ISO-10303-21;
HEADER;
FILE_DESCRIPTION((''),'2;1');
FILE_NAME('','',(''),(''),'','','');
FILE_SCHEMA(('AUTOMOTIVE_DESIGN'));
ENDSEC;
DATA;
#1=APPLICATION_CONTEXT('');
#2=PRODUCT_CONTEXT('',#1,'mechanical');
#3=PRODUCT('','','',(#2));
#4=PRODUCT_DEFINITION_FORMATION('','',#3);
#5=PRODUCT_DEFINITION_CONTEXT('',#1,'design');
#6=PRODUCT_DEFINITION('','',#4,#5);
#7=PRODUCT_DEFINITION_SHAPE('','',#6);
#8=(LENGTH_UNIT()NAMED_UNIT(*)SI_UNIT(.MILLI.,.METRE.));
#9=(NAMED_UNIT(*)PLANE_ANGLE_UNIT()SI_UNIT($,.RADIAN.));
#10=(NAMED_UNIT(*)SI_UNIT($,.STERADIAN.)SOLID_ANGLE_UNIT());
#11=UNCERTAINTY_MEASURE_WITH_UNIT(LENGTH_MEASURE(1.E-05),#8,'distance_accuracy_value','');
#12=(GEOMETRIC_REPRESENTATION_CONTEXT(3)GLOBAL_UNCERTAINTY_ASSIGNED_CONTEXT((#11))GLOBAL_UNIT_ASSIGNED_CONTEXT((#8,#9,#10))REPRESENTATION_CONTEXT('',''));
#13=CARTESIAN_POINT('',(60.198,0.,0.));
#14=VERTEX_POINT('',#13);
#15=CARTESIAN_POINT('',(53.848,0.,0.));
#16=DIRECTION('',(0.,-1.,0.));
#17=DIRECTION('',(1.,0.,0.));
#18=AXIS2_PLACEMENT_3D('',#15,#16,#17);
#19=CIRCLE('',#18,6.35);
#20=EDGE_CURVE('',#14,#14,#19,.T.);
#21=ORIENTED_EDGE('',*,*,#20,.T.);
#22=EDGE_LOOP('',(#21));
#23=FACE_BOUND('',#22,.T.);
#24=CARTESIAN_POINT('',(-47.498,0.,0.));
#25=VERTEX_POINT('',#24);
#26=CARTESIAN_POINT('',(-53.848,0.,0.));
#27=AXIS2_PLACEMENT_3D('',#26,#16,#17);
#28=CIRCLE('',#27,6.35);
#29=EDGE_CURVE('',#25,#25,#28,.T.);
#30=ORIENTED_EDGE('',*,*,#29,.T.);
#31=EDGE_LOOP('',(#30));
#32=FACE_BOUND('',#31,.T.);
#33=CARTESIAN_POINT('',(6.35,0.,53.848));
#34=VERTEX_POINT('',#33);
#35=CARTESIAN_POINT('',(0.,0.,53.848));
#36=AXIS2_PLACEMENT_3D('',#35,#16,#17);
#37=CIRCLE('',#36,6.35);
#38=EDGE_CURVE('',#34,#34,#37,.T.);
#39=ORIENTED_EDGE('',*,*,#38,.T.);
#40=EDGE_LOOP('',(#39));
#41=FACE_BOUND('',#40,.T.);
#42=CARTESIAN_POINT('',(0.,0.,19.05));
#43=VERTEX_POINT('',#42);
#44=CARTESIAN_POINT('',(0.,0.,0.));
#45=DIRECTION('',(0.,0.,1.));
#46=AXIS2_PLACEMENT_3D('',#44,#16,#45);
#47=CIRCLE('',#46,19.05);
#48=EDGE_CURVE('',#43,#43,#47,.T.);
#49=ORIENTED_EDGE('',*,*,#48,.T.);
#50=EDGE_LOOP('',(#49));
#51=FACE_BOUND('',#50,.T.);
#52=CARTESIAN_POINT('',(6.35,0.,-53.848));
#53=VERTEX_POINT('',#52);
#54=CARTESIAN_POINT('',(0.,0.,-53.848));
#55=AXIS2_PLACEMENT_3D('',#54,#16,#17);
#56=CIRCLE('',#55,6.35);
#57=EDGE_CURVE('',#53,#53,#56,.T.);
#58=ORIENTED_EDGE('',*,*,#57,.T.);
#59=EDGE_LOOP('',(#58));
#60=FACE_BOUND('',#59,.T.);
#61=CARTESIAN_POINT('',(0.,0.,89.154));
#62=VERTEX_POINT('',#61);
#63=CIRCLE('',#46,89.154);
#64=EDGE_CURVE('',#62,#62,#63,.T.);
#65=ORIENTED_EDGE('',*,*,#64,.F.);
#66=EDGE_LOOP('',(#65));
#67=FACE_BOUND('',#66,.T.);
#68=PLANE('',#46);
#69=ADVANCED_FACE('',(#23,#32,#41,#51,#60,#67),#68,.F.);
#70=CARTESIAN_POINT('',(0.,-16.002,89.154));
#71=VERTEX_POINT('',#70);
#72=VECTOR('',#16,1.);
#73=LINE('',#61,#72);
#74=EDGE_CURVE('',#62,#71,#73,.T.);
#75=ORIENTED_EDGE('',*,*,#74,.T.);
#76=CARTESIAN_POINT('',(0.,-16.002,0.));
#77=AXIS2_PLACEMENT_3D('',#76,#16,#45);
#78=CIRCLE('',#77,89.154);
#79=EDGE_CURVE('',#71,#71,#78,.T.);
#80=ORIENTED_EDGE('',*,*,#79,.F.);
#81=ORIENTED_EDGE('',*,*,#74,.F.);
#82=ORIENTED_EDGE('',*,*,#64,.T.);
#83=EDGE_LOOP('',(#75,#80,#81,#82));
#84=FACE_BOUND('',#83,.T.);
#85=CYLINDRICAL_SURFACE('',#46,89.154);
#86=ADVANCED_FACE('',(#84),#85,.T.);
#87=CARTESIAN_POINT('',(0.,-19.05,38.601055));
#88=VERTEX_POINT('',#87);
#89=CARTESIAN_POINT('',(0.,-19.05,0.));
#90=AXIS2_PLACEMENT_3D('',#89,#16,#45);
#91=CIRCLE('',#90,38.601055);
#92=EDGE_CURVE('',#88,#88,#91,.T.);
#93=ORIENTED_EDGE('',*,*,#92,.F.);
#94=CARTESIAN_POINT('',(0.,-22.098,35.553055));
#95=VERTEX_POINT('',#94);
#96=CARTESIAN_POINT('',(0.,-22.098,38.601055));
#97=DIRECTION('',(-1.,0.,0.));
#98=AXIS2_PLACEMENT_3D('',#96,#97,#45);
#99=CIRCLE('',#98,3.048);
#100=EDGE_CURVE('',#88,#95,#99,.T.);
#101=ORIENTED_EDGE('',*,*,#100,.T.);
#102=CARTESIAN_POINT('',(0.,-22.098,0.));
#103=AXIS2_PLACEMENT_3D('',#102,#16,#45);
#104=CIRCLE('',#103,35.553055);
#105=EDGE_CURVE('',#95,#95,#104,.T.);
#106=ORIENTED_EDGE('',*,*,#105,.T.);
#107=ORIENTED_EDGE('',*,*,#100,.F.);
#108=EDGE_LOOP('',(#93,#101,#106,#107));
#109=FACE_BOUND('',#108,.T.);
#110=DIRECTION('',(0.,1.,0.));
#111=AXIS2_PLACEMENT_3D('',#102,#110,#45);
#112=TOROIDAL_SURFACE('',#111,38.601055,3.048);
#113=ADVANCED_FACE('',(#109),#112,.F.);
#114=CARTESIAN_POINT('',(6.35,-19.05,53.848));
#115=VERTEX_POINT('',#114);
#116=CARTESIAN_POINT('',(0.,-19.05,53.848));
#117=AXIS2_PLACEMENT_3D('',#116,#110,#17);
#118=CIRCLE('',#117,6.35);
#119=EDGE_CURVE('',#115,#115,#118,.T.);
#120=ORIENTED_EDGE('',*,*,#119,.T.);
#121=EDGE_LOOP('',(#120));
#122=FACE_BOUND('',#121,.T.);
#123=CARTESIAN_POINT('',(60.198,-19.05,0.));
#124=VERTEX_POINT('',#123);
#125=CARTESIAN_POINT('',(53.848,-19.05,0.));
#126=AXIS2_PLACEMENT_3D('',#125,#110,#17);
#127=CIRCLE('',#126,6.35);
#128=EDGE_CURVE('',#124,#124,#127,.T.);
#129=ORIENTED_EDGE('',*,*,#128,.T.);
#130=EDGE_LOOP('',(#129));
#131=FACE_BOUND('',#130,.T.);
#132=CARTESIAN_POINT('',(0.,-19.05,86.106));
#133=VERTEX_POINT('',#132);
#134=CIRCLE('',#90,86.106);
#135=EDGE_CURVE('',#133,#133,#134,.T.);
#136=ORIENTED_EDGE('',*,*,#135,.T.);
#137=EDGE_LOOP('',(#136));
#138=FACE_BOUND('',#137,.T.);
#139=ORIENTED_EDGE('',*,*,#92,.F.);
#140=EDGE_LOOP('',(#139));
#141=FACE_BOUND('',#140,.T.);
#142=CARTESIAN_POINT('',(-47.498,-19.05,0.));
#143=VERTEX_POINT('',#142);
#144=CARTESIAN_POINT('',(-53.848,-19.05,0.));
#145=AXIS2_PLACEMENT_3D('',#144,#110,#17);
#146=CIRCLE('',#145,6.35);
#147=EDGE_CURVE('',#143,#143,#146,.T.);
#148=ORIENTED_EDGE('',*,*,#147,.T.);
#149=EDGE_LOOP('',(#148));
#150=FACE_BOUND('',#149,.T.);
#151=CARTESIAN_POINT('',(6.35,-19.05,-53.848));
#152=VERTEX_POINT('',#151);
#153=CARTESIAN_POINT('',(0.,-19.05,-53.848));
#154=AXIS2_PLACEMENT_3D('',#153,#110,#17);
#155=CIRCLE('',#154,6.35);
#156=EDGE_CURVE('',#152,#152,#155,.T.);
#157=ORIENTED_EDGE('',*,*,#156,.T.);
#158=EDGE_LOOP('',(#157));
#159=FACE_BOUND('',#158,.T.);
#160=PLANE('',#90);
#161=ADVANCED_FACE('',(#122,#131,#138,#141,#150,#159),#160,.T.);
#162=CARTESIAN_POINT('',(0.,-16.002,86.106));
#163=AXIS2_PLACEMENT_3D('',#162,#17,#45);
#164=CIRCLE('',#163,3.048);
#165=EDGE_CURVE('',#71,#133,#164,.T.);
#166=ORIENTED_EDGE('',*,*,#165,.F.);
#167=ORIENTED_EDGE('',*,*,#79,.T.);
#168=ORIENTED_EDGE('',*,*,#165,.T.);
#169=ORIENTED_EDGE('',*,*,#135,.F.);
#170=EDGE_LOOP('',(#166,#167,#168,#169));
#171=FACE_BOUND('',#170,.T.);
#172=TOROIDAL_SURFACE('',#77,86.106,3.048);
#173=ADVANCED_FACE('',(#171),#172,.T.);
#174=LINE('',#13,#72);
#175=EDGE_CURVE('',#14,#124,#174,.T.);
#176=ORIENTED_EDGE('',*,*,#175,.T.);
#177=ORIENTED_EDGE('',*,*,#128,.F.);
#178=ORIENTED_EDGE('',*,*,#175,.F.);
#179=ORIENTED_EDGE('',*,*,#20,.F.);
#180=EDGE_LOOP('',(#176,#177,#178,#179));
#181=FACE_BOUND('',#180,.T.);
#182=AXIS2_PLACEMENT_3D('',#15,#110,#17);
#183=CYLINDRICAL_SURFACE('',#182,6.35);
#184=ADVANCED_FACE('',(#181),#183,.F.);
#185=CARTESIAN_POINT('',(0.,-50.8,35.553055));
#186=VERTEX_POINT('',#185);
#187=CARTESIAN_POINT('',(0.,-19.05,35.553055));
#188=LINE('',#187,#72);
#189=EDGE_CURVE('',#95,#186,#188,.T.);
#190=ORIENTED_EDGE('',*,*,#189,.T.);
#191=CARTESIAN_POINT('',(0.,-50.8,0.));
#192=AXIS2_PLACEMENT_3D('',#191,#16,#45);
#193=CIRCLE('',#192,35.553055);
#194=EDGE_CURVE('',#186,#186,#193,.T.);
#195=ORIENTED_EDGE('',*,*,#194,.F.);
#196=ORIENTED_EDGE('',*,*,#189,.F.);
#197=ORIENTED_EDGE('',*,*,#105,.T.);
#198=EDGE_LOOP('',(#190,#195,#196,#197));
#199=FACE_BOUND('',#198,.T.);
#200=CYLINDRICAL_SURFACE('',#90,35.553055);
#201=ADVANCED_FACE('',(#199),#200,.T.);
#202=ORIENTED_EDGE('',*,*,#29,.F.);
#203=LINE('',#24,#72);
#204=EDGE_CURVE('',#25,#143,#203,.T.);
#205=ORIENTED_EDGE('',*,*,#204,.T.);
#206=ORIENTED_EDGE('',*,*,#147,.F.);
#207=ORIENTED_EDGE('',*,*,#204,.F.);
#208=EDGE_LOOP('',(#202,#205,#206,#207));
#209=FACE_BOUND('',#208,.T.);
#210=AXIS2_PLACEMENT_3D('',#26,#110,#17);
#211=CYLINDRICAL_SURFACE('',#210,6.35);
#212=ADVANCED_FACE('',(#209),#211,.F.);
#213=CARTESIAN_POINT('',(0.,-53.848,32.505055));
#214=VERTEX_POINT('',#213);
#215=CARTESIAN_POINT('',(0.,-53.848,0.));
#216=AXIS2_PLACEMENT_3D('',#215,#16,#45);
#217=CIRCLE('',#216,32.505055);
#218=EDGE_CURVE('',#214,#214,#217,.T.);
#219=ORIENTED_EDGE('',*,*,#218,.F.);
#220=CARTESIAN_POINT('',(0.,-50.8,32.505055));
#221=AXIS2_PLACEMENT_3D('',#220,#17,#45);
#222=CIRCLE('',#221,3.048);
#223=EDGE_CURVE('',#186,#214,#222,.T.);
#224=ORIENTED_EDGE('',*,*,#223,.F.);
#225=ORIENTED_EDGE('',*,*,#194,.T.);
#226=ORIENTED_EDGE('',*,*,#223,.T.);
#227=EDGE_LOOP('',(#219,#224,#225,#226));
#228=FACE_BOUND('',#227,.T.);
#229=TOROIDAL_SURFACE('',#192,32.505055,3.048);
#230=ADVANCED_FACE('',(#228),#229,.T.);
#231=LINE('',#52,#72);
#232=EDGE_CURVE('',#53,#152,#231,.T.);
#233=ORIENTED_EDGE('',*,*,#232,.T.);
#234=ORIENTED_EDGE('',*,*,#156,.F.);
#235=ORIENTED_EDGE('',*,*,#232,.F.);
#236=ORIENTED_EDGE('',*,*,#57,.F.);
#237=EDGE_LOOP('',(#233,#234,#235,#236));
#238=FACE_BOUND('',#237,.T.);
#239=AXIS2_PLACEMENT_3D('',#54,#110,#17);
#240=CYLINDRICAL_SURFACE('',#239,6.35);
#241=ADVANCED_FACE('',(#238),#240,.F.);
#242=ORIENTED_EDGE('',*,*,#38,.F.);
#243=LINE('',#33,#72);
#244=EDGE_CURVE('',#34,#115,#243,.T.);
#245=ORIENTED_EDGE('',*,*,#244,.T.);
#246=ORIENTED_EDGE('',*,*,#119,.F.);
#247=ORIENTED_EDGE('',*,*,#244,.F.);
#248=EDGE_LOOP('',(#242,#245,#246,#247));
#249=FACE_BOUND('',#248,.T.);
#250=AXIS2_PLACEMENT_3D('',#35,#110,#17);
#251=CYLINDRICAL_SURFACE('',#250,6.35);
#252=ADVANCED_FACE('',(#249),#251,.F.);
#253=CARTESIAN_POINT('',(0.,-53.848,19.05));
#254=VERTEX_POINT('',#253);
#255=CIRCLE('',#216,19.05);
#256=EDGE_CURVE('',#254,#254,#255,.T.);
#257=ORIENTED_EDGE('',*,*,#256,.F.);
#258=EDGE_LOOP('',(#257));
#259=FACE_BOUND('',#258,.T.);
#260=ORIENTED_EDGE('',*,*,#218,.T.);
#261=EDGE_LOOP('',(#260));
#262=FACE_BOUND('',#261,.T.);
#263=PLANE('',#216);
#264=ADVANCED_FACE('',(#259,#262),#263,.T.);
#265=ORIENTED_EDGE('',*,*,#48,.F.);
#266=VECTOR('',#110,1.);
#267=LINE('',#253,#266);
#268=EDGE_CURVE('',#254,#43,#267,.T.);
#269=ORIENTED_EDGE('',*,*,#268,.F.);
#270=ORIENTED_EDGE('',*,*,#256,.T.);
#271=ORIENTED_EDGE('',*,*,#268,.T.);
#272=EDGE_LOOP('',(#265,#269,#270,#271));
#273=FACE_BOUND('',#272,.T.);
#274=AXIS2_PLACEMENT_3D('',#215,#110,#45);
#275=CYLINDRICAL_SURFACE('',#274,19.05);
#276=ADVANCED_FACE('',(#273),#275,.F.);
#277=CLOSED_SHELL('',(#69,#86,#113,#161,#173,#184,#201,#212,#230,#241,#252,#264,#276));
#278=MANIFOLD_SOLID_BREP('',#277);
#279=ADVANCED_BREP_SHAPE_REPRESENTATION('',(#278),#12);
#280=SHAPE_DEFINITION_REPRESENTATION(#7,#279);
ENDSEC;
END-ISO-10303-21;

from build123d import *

# Parameters (mm, degrees)
F2_R     = 3.048
F3_R     = 6.35
F4_DEPTH = 53.849


with BuildPart() as f1:
    # F0 (on Right) → F1 (revolve)
    with BuildSketch(Plane.YZ):
        Polygon((-53.848, 19.05), (0, 19.05), (0, 89.154), (-19.05, 89.154), (-19.05, 35.553055), (-53.848, 35.553055), align=None)
    revolve(axis=Axis((0, -0.230861, 0), (0, -1, 0)))

    # F2
    f2_edges = [f1.edges().sort_by_distance(p)[0] for p in [
        (0, -19.05, -89.154),
        (0, -19.05, -35.553055),
        (0, -53.848, -35.553055),
    ]]
    fillet(f2_edges, radius=F2_R)

    # F3 (on Front) → F4 (cut, through all)
    with BuildSketch(Plane.XZ):
        with Locations((0, 53.848)):
            Circle(F3_R)
        with Locations((53.848, 0)):
            Circle(F3_R)
        with Locations((-53.848, 0)):
            Circle(F3_R)
        with Locations((0, -53.848)):
            Circle(F3_R)
    extrude(amount=F4_DEPTH, mode=Mode.SUBTRACT)


solid = f1.part
